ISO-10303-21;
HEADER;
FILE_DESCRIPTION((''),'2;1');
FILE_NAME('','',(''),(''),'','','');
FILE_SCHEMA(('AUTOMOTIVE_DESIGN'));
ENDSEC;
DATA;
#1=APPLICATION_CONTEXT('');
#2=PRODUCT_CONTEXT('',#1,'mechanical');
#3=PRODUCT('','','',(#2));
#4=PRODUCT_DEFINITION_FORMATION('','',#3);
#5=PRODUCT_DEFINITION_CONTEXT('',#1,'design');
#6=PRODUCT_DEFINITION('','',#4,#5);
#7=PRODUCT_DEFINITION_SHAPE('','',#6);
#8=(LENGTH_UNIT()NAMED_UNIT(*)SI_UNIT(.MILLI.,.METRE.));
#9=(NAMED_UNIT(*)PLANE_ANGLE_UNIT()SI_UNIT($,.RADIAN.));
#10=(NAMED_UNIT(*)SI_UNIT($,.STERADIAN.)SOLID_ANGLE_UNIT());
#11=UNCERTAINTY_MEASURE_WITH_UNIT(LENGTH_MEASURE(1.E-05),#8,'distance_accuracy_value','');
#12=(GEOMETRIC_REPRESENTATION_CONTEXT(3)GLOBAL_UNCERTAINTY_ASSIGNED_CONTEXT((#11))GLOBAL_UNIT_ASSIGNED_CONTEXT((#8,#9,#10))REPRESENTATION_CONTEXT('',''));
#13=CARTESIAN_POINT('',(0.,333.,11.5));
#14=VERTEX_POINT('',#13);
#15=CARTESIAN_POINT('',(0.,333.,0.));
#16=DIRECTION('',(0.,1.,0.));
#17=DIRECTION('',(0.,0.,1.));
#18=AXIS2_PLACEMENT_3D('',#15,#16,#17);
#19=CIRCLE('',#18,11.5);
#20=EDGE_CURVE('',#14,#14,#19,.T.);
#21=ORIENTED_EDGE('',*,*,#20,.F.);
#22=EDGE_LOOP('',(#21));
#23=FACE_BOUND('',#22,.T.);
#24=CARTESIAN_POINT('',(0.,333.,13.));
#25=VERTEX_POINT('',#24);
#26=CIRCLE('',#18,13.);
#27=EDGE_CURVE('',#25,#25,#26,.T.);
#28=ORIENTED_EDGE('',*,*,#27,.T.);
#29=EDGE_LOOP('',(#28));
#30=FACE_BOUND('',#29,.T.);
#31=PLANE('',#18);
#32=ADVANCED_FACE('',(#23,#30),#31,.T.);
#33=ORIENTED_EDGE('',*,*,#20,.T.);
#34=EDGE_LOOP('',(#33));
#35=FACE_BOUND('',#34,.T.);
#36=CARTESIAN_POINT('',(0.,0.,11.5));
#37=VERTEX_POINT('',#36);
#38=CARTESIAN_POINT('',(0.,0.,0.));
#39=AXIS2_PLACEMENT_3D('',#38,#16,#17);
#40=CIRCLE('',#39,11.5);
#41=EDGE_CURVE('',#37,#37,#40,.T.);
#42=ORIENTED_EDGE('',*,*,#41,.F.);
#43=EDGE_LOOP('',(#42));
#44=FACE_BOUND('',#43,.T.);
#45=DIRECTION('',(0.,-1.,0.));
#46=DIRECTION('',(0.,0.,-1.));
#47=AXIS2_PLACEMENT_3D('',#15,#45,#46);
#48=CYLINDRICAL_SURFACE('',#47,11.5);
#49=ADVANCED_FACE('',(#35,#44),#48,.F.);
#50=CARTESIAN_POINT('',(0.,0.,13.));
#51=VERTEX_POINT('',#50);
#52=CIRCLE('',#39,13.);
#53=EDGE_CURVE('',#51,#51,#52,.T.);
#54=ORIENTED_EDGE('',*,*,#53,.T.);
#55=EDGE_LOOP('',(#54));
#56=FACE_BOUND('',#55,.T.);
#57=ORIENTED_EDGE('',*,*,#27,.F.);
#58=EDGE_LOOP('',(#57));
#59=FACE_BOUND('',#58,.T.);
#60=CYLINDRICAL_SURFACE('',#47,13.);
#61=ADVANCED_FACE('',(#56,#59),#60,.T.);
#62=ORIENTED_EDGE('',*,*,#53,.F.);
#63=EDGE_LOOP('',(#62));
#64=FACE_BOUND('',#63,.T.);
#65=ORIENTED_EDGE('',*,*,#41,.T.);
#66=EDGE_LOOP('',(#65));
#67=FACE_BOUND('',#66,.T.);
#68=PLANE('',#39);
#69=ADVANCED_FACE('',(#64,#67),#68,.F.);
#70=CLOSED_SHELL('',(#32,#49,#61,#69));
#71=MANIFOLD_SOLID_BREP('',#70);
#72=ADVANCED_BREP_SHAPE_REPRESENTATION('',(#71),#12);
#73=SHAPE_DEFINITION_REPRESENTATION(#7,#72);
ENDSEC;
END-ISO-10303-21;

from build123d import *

# Parameters (mm, degrees)
SKETCH_1_R      = 13
SKETCH_1_R_2    = 11.5
EXTRUDE_1_DEPTH = 333


with BuildPart() as part:
    # 草图1 → 凸台-拉伸1 (new body)
    with BuildSketch(Plane(origin=(0, 0, 0), x_dir=(1, 0, 0), z_dir=(0, 1, 0))):
        Circle(SKETCH_1_R)
        Circle(SKETCH_1_R_2, mode=Mode.SUBTRACT)
    extrude(amount=EXTRUDE_1_DEPTH)


solid = part.part
